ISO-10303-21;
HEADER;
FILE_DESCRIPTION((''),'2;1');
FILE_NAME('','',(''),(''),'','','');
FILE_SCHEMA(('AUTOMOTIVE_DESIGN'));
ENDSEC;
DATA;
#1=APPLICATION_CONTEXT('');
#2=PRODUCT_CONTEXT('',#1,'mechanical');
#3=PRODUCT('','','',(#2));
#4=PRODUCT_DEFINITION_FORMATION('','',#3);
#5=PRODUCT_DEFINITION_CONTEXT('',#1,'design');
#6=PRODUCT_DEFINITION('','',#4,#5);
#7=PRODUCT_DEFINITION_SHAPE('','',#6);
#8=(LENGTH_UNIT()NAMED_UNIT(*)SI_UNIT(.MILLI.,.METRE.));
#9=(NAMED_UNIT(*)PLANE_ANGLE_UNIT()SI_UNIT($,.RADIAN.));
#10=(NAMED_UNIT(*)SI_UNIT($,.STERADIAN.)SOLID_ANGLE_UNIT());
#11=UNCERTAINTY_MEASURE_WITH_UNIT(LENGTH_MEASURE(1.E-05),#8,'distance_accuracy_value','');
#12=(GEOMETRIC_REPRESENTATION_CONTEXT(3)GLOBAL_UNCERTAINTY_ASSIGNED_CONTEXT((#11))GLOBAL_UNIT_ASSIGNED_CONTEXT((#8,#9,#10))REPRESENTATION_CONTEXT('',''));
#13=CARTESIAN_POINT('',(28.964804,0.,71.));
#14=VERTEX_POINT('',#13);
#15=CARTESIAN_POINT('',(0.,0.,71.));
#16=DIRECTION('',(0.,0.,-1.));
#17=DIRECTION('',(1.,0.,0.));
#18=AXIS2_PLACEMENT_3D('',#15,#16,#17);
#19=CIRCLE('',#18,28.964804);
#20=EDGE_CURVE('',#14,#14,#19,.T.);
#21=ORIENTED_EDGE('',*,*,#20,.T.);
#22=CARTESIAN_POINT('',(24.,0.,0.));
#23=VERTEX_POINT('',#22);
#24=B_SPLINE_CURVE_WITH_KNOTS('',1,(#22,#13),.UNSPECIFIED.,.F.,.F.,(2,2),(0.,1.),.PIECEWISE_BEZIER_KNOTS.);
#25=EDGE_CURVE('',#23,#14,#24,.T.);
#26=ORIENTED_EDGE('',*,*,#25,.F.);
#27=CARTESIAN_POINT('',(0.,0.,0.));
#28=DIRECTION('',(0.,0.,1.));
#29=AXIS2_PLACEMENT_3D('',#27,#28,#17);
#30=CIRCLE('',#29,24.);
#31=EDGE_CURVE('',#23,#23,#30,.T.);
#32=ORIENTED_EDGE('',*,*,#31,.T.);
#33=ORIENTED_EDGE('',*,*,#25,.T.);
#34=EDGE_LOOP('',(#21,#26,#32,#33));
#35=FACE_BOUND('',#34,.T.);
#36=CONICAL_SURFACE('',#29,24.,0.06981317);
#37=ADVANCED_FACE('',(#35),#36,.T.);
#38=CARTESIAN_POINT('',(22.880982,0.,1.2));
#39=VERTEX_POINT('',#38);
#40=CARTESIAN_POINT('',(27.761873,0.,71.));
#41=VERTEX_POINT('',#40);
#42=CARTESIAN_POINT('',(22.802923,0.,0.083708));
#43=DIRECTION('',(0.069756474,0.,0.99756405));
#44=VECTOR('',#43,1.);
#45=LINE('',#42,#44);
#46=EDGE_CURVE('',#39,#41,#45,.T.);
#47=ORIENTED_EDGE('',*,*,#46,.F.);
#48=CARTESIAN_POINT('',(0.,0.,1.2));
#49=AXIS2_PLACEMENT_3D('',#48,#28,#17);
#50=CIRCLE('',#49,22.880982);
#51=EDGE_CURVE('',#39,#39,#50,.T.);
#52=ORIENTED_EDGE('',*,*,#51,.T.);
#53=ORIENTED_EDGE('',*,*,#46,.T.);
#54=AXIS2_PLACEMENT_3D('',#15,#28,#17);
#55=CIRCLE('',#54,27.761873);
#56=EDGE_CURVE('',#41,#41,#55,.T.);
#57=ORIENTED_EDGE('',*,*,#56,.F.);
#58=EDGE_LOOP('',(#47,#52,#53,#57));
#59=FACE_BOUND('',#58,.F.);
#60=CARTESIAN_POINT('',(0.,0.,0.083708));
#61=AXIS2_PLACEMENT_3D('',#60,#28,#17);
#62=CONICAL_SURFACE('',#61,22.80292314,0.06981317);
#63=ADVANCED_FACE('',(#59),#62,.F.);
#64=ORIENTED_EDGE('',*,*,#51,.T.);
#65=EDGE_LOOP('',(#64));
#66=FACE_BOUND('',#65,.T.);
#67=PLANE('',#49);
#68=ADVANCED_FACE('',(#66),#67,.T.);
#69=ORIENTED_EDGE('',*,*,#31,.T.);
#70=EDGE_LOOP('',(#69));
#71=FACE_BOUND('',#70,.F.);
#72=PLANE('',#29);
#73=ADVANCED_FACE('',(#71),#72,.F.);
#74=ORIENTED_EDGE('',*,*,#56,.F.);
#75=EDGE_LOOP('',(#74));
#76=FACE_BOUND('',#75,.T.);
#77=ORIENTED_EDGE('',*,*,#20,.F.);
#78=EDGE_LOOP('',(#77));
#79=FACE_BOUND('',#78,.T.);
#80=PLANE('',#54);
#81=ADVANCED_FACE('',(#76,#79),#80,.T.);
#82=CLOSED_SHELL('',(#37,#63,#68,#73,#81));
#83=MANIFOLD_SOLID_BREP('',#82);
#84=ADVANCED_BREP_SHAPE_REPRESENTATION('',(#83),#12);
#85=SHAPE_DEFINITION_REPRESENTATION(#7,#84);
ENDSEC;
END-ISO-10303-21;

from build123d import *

# Parameters (mm, degrees)
F0_R     = 24
F1_DEPTH = 71
F1_TAPER = -4
F2_T     = -1.2


with BuildPart() as f1:
    # F0 (on Top) → F1 (new body)
    with BuildSketch(Plane.XY):
        Circle(F0_R)
    extrude(amount=F1_DEPTH, taper=F1_TAPER)

    # F2
    f2_openings = [f1.faces().sort_by_distance(p)[0] for p in [
        (0, 0, 71),
    ]]
    offset(amount=F2_T, openings=f2_openings, kind=Kind.INTERSECTION)


solid = f1.part
